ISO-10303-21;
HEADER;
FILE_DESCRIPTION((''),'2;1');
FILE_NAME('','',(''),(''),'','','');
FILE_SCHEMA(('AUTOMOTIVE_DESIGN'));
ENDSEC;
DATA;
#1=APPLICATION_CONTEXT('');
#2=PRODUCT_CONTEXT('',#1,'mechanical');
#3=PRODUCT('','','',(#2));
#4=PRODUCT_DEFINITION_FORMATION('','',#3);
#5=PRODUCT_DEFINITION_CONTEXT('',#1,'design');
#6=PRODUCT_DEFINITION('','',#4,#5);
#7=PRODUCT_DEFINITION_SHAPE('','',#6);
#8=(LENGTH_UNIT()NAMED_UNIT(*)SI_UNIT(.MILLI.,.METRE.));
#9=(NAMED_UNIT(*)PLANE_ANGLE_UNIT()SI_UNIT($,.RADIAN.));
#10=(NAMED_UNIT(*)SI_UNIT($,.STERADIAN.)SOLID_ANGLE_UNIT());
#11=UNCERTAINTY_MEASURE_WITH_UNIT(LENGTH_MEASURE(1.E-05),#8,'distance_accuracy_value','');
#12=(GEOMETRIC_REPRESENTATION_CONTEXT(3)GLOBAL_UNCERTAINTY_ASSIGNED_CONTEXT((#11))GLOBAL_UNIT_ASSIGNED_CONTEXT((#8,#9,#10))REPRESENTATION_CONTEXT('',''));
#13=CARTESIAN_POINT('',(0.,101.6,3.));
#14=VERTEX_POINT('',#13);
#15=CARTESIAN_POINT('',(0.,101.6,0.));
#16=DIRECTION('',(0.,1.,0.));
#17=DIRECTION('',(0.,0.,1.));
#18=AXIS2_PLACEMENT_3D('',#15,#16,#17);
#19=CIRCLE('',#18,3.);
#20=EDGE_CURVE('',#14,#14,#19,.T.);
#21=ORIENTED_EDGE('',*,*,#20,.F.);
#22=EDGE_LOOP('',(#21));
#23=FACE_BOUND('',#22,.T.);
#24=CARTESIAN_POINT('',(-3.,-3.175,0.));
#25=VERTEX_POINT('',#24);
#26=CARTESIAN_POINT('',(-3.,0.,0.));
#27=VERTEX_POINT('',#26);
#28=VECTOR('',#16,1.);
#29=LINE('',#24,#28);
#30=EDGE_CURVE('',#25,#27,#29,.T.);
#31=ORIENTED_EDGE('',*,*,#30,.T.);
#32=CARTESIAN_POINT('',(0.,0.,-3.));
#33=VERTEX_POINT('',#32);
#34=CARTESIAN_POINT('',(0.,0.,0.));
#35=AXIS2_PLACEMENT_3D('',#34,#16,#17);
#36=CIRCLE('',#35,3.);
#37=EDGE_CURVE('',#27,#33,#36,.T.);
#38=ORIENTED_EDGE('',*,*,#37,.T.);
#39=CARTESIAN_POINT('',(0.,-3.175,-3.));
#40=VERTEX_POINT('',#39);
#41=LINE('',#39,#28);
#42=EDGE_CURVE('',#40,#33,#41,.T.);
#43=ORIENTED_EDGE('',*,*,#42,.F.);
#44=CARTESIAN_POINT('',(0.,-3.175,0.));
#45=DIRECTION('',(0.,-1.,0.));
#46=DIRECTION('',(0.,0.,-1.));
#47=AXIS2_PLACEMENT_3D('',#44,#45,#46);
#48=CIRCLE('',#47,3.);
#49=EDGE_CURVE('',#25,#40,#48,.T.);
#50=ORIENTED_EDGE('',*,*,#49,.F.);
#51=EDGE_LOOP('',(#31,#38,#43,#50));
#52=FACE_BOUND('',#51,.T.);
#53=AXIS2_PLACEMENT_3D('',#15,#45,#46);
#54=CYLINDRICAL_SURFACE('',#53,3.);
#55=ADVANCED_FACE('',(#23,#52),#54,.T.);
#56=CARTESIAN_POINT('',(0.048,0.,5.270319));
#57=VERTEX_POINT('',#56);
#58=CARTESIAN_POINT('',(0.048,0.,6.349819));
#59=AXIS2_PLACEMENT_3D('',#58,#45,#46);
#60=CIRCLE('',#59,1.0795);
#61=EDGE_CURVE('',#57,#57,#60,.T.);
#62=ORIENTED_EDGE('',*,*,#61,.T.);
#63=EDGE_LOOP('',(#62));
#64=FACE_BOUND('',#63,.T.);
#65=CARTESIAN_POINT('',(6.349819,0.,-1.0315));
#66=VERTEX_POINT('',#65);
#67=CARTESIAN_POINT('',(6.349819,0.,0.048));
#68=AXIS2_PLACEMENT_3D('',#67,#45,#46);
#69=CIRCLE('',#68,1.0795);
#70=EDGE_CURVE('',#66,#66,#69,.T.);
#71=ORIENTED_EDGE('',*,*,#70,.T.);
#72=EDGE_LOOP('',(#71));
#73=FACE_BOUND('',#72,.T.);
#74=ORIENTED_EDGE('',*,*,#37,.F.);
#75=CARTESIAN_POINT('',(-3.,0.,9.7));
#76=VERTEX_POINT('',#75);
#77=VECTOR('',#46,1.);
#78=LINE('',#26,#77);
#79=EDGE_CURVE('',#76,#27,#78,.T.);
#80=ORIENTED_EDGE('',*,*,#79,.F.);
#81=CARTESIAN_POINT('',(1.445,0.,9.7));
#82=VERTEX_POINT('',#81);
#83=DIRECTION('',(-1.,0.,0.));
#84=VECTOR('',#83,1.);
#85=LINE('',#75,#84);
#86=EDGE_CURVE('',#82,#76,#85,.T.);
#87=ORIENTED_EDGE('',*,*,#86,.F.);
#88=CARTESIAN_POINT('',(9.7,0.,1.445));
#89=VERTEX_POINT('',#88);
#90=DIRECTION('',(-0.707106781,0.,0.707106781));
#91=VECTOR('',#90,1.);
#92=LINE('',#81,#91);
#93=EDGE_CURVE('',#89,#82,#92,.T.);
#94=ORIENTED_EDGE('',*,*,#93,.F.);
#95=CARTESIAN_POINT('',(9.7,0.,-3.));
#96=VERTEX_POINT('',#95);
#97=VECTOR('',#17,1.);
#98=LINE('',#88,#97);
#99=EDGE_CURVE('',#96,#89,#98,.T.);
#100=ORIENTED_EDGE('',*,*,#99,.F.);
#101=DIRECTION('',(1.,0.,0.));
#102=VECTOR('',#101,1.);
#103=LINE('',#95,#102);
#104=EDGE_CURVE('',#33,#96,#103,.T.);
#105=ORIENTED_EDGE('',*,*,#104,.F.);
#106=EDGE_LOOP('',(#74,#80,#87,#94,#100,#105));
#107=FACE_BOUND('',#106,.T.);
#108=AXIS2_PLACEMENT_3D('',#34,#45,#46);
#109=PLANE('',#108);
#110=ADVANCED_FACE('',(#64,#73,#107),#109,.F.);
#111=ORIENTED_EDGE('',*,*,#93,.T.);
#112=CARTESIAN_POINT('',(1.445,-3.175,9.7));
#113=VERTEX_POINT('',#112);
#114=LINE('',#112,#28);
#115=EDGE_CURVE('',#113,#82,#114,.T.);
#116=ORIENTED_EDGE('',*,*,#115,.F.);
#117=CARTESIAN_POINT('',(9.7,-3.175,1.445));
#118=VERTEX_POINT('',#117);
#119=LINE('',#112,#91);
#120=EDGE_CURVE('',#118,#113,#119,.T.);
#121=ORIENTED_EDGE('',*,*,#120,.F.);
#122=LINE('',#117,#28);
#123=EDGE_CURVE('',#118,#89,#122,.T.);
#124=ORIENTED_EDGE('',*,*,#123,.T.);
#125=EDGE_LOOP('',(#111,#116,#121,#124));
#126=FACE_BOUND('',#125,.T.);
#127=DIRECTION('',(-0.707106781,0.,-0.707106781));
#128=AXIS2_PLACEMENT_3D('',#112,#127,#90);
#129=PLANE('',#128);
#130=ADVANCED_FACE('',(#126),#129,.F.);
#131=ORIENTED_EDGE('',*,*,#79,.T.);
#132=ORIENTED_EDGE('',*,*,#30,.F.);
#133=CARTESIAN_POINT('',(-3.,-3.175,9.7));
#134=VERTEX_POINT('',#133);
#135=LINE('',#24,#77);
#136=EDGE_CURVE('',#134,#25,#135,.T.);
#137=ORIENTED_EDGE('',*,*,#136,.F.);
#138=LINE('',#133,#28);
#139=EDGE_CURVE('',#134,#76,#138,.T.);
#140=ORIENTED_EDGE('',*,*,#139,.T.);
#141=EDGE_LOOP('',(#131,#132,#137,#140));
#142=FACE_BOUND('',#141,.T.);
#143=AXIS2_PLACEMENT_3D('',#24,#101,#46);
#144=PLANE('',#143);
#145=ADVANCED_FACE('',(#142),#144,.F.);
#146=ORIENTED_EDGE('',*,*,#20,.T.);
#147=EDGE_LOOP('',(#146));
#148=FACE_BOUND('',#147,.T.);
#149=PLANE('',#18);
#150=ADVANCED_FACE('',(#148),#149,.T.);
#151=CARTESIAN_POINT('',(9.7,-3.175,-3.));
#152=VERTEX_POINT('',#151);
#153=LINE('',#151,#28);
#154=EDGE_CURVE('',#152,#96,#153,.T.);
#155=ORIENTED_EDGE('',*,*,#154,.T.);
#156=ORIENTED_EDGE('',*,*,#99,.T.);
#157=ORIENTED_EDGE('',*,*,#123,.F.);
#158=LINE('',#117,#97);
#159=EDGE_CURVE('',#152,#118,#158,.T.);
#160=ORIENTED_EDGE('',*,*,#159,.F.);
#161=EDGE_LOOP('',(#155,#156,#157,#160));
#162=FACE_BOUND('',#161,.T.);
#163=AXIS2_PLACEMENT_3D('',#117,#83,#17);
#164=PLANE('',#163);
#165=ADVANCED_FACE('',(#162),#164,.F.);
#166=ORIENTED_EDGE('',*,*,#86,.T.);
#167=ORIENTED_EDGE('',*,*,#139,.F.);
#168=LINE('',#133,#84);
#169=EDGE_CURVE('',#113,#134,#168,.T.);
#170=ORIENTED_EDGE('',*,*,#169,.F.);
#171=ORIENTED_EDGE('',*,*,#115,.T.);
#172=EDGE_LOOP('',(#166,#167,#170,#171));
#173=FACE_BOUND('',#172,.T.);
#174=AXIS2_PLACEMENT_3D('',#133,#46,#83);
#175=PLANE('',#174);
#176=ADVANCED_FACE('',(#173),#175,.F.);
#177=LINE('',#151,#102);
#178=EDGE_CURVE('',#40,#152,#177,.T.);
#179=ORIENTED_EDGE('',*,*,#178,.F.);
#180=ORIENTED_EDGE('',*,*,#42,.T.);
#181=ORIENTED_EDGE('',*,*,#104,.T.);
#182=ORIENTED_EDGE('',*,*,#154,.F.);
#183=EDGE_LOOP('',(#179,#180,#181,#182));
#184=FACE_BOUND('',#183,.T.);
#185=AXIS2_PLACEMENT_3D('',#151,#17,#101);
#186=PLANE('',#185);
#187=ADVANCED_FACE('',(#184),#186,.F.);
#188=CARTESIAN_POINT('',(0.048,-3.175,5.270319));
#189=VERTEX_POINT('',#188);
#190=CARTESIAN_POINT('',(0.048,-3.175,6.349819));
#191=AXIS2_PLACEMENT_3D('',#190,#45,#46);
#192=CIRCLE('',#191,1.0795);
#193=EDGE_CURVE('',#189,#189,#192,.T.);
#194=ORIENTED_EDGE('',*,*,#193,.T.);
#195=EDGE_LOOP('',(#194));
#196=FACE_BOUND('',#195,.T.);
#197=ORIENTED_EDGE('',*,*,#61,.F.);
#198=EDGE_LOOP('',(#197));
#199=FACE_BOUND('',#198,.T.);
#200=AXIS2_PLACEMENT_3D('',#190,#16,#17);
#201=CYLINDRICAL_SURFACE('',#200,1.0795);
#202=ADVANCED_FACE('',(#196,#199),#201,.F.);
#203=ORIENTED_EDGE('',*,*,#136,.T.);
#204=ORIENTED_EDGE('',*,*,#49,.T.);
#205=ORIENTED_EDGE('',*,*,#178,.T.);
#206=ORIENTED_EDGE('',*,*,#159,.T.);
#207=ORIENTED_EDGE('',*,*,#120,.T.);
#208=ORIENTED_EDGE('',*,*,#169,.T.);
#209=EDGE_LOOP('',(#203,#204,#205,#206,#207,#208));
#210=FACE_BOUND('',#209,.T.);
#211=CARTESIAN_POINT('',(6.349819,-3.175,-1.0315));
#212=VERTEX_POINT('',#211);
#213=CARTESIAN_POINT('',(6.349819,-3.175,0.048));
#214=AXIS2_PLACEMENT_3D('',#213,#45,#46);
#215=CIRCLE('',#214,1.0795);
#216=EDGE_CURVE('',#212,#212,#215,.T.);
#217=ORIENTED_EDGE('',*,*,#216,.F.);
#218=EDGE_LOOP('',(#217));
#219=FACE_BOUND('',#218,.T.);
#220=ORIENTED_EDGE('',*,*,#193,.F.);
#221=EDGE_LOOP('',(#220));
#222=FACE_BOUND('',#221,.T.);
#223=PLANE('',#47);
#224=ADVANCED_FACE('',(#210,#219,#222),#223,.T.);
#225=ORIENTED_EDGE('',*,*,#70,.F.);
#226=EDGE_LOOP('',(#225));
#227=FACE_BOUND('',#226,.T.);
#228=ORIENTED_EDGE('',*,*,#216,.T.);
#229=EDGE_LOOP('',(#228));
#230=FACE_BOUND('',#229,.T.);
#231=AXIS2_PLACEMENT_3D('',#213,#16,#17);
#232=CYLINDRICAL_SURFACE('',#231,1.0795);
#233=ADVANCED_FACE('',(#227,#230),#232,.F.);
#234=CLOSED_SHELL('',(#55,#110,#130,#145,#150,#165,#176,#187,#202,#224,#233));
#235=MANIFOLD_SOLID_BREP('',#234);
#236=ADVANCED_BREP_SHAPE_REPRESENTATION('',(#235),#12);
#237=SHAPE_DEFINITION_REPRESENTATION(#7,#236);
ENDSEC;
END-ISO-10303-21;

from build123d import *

# Parameters (mm, degrees)
SKETCH1_R           = 3
BOSS_EXTRUDE1_DEPTH = 101.6
BOSS_EXTRUDE2_START = 3.175
SKETCH3_R           = 1.0795
BOSS_EXTRUDE2_DEPTH = 3.175


with BuildPart() as part:
    # Sketch1 → Boss-Extrude1 (new body)
    with BuildSketch(Plane(origin=(0, 0, 0), x_dir=(1, 0, 0), z_dir=(0, 1, 0))):
        with Locations(Location((0, 0, 0), (0, 0, 270))):
            Circle(SKETCH1_R)
    extrude(amount=BOSS_EXTRUDE1_DEPTH)

    # Sketch3 → Boss-Extrude2 (add)
    with BuildSketch(Plane.XZ.offset(BOSS_EXTRUDE2_START)):
        with BuildLine():
            Line((-3, 0), (-3, 9.7))
            Line((-3, 9.7), (1.445, 9.7))
            Line((1.445, 9.7), (9.7, 1.445))
            Line((9.7, 1.445), (9.7, -3))
            Line((9.7, -3), (0, -3))
            ThreePointArc((0, -3), (-2.121320344, -2.121320344), (-3, 0))
        make_face()
        with Locations(Location((0.048, 6.34981858, 0), (0, 0, 270))):
            Circle(SKETCH3_R, mode=Mode.SUBTRACT)
        with Locations(Location((6.34981858, 0.048, 0), (0, 0, 270))):
            Circle(SKETCH3_R, mode=Mode.SUBTRACT)
    extrude(amount=-BOSS_EXTRUDE2_DEPTH)


solid = part.part
